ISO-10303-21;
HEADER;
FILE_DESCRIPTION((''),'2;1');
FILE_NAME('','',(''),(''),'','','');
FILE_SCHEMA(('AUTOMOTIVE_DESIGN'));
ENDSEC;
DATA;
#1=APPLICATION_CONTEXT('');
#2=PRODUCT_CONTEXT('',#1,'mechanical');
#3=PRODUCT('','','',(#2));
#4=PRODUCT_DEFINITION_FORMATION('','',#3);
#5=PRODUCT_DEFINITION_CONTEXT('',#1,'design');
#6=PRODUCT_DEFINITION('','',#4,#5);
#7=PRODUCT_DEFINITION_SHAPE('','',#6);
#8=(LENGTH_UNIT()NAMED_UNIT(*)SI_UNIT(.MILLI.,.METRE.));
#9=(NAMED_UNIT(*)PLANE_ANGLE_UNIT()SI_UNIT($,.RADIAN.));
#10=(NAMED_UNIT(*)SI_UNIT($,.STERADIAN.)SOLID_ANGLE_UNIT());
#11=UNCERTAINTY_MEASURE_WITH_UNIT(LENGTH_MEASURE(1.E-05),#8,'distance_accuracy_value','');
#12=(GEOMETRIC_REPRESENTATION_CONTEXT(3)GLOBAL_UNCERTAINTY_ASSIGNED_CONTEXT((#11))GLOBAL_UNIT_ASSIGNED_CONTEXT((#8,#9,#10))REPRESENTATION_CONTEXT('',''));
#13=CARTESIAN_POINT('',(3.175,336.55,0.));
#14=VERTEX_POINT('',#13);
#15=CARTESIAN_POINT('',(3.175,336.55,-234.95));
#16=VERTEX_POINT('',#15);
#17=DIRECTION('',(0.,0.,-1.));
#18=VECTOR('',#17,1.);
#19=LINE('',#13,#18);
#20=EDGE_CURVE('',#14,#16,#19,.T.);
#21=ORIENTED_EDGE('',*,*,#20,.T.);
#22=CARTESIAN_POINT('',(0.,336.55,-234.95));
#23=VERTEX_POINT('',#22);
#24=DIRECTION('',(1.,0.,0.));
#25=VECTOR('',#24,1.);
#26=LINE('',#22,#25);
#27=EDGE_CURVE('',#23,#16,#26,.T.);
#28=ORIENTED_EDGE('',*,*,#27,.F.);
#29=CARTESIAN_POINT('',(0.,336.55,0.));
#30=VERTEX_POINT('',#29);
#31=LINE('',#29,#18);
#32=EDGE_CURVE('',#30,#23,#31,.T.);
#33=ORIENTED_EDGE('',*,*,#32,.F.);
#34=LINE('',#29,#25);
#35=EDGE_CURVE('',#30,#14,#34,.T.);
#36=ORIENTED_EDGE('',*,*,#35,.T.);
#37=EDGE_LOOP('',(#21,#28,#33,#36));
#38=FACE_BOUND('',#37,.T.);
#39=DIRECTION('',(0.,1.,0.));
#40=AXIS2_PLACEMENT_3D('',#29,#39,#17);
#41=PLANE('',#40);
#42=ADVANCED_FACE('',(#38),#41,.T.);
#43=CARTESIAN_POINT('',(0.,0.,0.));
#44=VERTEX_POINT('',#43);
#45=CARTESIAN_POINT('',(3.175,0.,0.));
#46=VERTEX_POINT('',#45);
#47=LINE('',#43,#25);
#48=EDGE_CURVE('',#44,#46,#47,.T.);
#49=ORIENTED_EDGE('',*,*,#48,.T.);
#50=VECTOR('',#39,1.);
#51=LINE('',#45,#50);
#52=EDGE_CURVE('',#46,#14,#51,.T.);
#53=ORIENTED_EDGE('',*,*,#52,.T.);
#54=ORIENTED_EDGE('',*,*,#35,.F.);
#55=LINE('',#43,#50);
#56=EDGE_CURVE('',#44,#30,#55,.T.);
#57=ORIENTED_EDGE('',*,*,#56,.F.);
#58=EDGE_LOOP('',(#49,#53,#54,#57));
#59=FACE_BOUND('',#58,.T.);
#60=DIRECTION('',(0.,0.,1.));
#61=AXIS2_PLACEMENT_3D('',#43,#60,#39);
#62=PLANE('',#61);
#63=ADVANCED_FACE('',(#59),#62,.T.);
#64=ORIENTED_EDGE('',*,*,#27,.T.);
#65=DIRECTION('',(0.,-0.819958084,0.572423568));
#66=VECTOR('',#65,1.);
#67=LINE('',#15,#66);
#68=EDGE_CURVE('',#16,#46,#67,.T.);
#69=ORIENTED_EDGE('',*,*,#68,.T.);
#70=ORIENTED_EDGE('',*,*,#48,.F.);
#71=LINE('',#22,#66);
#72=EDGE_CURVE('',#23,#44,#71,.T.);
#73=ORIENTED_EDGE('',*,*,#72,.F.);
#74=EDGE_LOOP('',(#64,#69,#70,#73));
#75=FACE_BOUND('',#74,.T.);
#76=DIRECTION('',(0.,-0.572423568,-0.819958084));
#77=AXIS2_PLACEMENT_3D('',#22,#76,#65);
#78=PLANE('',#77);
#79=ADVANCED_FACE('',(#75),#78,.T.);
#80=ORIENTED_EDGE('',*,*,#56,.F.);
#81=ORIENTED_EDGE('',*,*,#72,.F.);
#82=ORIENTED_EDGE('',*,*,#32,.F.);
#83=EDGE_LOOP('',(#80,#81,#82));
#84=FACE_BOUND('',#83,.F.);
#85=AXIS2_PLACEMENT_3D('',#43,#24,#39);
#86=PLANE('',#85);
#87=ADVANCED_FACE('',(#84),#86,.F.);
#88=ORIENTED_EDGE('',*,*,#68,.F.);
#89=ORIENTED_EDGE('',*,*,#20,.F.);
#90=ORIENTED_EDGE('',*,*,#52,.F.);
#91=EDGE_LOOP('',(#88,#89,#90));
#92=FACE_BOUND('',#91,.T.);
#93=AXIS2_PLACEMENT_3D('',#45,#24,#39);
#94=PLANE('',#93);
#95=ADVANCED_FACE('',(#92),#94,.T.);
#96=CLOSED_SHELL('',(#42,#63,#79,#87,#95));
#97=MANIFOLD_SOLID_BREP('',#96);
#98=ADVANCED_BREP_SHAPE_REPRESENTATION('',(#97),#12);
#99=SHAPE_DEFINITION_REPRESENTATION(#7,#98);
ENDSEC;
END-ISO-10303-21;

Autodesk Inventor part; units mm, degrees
ref_plane "YZ Plane" through (0, 0, 0) normal (1, 0, 0) x (0, 1, 0)
ref_plane "XZ Plane" through (0, 0, 0) normal (0, 1, 0) x (-1, 0, 0)
ref_plane "XY Plane" through (0, 0, 0) normal (0, 0, 1) x (1, 0, 0)
sketch "Sketch1" plane through (0, 0, 0) normal (1, 0, 0) x (0, 1, 0)
  line L0 (0, 0) -> (336.55, 0)
  line L1 (336.55, 0) -> (336.55, -234.95)
  line L2 (336.55, -234.95) -> (0, 0)
  dimension "d0" = 336.55
  dimension "d1" = 234.95
extrude "Extrusion1" add sketch "Sketch1" along normal blind 3.175
properties part number "triangle2"
